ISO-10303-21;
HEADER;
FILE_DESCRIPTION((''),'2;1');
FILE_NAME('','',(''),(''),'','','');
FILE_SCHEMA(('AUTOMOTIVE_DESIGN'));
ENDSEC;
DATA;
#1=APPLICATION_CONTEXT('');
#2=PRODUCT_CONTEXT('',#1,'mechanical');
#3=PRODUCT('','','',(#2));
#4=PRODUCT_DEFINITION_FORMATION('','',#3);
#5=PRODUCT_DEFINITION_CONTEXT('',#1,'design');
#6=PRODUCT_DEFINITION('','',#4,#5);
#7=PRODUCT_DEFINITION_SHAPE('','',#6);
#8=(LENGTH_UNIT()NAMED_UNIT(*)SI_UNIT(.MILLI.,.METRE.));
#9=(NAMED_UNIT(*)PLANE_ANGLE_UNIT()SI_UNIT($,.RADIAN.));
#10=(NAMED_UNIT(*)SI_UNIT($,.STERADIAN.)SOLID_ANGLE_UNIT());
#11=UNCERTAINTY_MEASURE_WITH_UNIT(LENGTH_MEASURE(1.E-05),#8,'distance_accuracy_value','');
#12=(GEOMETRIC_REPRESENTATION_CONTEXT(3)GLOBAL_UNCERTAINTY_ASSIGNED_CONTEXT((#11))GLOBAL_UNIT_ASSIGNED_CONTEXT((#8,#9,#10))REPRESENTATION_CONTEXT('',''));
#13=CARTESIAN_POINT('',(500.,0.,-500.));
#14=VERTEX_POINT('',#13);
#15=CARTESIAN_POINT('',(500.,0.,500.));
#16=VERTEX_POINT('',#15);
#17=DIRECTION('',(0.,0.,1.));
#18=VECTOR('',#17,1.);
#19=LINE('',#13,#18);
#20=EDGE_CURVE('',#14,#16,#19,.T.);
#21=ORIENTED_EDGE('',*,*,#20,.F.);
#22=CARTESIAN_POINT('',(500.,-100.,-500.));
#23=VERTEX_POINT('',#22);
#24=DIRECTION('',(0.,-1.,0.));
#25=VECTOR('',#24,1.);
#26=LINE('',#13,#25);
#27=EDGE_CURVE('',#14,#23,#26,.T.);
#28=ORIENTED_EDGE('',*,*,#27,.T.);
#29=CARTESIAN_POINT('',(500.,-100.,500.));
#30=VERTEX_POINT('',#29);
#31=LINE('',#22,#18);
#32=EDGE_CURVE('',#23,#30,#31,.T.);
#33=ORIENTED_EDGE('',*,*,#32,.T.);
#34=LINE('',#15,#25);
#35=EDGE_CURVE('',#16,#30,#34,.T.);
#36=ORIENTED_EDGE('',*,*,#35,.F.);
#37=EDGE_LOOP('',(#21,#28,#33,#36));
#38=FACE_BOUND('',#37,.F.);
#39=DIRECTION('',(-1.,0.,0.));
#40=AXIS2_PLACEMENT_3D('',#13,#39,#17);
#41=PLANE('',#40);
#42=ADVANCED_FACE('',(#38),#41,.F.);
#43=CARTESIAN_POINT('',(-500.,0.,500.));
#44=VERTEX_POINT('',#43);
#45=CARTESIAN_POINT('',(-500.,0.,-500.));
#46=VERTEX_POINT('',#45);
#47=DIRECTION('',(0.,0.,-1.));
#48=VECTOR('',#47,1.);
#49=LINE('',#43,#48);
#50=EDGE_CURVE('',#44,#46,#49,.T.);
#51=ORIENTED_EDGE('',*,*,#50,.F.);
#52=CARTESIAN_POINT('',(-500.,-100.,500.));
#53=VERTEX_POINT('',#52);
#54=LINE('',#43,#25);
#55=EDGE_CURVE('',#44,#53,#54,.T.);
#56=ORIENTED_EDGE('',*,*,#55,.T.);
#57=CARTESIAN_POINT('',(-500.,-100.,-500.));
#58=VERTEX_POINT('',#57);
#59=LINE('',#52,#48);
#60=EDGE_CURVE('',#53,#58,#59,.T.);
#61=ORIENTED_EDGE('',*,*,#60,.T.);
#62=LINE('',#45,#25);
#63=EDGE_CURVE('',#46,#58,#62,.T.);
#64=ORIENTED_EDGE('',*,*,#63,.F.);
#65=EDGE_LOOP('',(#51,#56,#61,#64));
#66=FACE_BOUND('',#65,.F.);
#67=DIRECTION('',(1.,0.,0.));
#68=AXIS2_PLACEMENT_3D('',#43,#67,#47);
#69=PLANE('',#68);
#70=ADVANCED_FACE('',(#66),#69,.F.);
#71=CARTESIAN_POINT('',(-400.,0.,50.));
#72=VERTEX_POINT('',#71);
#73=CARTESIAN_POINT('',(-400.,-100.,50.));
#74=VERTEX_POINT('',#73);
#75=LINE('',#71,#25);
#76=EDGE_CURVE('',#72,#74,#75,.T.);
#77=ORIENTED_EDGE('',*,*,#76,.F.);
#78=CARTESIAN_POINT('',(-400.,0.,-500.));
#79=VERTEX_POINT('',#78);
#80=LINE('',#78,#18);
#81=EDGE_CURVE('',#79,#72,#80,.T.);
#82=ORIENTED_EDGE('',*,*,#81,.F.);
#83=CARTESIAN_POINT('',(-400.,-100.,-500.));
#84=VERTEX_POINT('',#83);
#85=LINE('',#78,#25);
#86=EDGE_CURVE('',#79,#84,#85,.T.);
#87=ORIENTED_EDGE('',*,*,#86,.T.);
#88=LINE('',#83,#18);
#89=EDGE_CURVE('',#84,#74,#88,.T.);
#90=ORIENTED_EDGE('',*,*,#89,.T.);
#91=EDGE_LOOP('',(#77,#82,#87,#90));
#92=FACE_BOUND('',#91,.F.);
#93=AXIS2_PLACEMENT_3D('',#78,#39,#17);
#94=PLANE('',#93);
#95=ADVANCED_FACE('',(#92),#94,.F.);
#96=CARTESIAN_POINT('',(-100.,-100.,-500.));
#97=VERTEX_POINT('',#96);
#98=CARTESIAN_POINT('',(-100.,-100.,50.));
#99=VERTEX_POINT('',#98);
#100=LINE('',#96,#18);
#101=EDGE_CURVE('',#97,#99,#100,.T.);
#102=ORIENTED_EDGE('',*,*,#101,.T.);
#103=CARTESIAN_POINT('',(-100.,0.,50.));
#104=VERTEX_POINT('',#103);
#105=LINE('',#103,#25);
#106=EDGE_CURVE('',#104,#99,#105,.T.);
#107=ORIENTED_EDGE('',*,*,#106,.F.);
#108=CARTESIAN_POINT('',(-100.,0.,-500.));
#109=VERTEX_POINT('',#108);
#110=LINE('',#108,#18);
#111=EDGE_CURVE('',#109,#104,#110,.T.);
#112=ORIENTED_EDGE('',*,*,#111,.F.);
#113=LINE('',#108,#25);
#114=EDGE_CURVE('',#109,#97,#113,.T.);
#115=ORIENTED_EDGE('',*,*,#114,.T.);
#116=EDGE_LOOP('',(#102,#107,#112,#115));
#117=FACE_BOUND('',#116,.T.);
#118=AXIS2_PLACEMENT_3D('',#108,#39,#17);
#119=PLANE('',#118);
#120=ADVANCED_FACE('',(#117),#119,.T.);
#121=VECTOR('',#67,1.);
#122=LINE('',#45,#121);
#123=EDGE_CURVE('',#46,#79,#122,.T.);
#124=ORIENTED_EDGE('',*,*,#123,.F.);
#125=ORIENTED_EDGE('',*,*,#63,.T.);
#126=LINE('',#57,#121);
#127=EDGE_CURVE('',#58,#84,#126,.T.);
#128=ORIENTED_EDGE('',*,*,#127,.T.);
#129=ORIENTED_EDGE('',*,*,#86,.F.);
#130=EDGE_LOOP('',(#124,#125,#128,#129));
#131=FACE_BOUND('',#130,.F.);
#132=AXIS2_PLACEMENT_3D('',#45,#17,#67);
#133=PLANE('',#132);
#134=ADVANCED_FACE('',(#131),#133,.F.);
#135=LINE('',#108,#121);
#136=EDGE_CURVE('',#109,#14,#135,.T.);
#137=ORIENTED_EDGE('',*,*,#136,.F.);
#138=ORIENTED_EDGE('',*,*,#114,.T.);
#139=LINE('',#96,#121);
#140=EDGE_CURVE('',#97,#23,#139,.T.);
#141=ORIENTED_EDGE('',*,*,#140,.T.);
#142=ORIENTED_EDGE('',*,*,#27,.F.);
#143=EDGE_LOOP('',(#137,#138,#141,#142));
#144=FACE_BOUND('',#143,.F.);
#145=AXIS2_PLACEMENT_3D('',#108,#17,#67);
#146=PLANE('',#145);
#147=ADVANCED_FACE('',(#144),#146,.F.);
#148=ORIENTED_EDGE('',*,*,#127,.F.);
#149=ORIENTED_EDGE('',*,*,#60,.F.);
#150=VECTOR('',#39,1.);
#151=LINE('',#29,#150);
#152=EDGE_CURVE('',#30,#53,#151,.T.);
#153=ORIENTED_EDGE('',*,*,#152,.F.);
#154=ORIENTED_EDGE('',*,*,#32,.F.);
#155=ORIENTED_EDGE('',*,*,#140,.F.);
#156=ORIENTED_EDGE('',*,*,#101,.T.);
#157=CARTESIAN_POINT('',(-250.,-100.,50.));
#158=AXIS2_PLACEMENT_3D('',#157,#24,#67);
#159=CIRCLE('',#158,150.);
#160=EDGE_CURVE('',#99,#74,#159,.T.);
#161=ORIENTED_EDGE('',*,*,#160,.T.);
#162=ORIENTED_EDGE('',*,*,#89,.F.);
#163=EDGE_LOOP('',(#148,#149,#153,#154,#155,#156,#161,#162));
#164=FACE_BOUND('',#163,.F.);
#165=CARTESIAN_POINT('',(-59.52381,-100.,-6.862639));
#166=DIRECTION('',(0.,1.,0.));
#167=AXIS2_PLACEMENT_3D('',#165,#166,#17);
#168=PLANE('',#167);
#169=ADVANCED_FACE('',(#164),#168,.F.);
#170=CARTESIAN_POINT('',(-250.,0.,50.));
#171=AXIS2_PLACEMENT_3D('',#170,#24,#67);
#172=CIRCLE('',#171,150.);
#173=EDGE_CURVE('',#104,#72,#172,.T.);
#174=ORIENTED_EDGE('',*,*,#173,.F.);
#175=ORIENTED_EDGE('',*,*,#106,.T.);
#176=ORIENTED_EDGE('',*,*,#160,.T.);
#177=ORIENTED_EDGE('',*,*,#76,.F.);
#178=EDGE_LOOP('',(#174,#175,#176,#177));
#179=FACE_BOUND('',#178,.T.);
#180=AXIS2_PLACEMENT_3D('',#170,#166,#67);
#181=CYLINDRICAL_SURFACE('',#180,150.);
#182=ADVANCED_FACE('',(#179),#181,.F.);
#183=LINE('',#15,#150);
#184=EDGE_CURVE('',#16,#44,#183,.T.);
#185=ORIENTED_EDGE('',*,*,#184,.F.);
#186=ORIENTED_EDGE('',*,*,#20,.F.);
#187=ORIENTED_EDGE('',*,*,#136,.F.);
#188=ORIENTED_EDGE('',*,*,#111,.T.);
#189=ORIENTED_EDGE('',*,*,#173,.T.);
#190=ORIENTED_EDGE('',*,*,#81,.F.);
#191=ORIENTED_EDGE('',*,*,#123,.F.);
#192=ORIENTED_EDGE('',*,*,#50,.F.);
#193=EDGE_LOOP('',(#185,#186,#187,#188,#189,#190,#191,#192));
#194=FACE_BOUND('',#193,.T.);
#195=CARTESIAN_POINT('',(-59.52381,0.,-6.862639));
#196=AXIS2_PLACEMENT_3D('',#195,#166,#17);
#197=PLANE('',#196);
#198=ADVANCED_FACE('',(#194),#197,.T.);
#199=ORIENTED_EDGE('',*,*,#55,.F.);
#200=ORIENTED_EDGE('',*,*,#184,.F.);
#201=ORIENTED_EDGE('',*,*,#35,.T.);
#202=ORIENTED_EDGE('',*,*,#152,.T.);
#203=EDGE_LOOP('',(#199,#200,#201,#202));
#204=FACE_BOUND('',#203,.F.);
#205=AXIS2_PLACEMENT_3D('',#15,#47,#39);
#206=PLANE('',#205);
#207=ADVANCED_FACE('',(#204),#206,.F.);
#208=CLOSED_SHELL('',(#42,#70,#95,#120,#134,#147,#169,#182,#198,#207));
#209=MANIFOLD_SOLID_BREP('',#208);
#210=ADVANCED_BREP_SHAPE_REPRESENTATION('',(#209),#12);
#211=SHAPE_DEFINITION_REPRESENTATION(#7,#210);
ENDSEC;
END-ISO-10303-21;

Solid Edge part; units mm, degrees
sketch "Sketch1" plane through (0, 0, 0) normal (0, -1, 0) x (1, 0, 0)
  arc A0 (-100, 50) -> (-400, 50) centre (-250, 50) ccw
  line L0 (-400, -500) -> (-400, 50)
  line L1 (-500, -500) -> (-400, -500)
  line L2 (-500, 500) -> (-500, -500)
  line L3 (500, 500) -> (-500, 500)
  line L4 (500, -500) -> (500, 500)
  line L5 (-100, -500) -> (500, -500)
  line L6 (-100, -500) -> (-100, 50)
extrude "Protrusion1" add sketch "Sketch1" along normal blind 100
